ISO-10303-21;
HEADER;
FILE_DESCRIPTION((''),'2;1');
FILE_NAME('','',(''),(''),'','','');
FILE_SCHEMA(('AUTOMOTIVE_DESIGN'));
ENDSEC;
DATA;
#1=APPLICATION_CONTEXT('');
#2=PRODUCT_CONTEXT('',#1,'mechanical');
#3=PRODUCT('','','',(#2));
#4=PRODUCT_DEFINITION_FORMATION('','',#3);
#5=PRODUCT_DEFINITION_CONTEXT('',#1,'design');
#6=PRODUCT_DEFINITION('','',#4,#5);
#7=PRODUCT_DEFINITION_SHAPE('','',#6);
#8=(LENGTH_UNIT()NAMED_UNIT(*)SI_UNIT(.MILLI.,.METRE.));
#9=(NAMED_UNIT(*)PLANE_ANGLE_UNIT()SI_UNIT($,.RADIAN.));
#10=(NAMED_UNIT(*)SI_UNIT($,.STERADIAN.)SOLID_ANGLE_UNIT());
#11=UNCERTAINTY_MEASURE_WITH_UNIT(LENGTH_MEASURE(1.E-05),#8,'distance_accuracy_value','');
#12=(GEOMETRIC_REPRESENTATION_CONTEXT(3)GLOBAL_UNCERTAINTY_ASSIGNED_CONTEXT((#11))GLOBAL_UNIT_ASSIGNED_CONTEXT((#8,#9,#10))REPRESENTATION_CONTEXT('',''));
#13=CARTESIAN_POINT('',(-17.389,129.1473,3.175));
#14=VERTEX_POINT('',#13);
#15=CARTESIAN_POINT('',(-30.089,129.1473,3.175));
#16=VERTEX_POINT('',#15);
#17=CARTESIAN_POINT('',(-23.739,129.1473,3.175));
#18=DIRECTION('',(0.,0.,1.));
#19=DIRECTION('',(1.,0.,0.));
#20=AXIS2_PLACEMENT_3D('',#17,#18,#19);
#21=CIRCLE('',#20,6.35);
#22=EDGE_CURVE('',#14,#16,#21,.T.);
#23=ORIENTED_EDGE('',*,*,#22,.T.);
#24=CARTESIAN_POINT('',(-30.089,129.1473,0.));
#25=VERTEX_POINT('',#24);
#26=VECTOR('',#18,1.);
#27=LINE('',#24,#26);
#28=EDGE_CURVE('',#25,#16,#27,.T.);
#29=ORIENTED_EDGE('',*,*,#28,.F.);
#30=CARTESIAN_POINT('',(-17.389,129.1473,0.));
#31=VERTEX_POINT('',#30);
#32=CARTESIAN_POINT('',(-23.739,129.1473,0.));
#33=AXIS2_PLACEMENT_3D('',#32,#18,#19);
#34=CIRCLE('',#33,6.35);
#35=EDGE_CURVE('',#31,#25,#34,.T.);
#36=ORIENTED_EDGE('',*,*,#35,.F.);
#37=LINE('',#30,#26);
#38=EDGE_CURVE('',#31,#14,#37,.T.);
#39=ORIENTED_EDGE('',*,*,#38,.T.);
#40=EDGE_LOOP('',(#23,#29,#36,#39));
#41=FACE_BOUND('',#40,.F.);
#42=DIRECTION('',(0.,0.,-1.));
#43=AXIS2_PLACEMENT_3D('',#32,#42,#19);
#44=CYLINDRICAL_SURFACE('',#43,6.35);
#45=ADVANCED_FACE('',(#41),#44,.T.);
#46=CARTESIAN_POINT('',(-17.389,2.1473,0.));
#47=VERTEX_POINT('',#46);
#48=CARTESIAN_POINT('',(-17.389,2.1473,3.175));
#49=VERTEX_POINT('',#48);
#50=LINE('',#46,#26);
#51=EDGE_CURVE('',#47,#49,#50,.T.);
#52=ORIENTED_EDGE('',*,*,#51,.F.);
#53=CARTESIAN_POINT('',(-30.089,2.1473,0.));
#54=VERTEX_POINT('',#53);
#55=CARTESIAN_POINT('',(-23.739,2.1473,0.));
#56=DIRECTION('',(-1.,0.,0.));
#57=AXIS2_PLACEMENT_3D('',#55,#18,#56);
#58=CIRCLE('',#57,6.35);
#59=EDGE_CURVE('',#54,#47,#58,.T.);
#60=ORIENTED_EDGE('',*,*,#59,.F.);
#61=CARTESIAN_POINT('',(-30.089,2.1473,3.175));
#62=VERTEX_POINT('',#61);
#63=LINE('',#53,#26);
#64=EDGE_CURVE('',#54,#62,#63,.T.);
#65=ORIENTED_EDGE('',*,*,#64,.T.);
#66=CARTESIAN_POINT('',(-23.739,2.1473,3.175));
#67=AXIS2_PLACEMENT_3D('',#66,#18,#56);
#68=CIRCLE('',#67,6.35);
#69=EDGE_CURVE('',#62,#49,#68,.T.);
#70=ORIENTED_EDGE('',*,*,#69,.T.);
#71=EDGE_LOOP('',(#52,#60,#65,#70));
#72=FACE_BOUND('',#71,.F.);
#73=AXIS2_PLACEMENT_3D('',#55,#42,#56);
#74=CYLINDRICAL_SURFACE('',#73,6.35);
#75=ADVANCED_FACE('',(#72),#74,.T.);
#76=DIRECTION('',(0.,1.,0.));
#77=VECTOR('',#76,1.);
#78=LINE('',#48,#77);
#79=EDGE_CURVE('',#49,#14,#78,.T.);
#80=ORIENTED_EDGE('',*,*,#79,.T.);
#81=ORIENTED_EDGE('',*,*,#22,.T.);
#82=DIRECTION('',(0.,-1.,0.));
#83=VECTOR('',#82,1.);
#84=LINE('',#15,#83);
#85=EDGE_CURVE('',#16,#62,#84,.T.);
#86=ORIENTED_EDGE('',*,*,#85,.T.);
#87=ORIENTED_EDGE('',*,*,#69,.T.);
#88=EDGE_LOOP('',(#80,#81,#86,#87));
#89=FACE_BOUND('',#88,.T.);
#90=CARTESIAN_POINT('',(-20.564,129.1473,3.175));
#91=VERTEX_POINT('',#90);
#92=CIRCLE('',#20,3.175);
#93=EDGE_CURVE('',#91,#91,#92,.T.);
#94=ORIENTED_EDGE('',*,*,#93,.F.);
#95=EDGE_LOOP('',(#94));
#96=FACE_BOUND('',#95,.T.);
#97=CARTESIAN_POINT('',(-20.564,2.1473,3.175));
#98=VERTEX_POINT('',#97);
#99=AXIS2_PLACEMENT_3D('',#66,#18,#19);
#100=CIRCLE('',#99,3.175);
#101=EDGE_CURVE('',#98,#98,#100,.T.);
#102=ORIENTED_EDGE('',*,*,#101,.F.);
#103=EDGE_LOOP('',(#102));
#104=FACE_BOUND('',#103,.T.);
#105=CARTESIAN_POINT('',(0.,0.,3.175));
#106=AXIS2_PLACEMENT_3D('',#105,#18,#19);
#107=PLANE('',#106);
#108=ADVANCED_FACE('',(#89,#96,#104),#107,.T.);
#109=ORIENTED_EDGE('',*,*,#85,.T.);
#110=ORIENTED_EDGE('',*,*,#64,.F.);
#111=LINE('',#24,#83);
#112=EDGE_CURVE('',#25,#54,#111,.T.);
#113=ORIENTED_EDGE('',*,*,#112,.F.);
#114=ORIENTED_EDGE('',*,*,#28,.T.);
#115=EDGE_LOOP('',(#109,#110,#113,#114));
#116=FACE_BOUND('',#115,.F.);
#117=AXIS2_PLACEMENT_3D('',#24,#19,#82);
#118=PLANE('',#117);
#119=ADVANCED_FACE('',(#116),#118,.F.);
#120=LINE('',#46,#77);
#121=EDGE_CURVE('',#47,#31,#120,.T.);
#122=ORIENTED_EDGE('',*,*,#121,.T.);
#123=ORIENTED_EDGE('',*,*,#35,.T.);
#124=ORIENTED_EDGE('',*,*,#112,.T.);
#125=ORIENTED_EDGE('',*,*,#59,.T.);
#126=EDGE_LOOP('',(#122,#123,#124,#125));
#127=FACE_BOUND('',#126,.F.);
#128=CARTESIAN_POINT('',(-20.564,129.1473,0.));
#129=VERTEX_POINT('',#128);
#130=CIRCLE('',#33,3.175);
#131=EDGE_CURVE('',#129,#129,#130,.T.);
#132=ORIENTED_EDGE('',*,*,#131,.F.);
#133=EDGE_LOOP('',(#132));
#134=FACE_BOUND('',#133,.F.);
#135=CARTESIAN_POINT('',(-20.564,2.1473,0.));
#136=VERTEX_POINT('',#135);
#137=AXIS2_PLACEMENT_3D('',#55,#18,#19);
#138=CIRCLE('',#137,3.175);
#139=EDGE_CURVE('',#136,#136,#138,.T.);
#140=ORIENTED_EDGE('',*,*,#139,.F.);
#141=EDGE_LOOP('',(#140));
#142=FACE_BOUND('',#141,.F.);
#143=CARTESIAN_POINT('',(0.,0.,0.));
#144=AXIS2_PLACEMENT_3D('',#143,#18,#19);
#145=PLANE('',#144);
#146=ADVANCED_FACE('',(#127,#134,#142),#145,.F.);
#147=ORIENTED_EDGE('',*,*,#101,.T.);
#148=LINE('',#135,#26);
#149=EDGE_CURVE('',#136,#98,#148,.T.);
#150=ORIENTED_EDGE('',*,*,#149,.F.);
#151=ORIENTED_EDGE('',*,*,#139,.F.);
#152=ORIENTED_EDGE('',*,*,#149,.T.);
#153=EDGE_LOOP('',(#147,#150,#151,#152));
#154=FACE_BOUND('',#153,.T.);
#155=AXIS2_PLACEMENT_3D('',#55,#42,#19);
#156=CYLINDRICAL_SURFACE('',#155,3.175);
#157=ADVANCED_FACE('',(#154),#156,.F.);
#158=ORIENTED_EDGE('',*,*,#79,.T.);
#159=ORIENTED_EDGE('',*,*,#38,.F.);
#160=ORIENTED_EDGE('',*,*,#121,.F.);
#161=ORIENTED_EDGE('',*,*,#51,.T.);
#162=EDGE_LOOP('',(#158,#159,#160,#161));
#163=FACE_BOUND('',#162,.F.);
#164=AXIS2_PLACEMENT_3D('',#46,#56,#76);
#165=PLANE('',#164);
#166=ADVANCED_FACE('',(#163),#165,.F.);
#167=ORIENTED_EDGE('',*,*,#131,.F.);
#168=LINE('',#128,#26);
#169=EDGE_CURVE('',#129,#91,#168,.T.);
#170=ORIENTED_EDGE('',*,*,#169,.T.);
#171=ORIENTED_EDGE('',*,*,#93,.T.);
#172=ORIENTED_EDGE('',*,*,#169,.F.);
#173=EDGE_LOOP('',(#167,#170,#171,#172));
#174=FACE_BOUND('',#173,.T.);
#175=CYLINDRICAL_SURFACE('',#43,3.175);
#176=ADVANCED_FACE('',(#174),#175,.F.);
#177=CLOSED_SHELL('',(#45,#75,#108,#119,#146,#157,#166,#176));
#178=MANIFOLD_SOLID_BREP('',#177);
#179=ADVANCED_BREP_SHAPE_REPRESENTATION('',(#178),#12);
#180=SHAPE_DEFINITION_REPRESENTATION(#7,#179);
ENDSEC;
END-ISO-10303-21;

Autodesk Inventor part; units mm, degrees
ref_plane "YZ Plane" through (0, 0, 0) normal (1, 0, 0) x (0, 1, 0)
ref_plane "XZ Plane" through (0, 0, 0) normal (0, 1, 0) x (-1, 0, 0)
ref_plane "XY Plane" through (0, 0, 0) normal (0, 0, 1) x (1, 0, 0)
sketch "Sketch1" plane through (0, 0, 0) normal (0, 0, 1) x (1, 0, 0)
  line L0 (-23.739, 2.1473) -> (-23.739, 129.1473) construction
  line L1 (-17.389, 2.1473) -> (-17.389, 129.1473)
  line L2 (-30.089, 129.1473) -> (-30.089, 2.1473)
  arc A0 (-30.089, 2.1473) -> (-17.389, 2.1473) centre (-23.739, 2.1473) ccw
  arc A1 (-17.389, 129.1473) -> (-30.089, 129.1473) centre (-23.739, 129.1473) ccw
  circle A2 centre (-23.739, 129.1473) radius 3.175
  circle A3 centre (-23.739, 2.1473) radius 3.175
  circle A4 centre (0, 0) radius 3.175 construction
  point P0 (-23.739, 65.6473)
  dimension "d0" = 127
  dimension "d1" = 12.7
  dimension "d2" = 6.35
  dimension "d3" = 6.35
  dimension "d4" = 6.35
extrude "Extrusion1" add sketch "Sketch1" along normal blind 3.175
equation "\"d3\" = d2"
equation "\"d4\" = d2"
